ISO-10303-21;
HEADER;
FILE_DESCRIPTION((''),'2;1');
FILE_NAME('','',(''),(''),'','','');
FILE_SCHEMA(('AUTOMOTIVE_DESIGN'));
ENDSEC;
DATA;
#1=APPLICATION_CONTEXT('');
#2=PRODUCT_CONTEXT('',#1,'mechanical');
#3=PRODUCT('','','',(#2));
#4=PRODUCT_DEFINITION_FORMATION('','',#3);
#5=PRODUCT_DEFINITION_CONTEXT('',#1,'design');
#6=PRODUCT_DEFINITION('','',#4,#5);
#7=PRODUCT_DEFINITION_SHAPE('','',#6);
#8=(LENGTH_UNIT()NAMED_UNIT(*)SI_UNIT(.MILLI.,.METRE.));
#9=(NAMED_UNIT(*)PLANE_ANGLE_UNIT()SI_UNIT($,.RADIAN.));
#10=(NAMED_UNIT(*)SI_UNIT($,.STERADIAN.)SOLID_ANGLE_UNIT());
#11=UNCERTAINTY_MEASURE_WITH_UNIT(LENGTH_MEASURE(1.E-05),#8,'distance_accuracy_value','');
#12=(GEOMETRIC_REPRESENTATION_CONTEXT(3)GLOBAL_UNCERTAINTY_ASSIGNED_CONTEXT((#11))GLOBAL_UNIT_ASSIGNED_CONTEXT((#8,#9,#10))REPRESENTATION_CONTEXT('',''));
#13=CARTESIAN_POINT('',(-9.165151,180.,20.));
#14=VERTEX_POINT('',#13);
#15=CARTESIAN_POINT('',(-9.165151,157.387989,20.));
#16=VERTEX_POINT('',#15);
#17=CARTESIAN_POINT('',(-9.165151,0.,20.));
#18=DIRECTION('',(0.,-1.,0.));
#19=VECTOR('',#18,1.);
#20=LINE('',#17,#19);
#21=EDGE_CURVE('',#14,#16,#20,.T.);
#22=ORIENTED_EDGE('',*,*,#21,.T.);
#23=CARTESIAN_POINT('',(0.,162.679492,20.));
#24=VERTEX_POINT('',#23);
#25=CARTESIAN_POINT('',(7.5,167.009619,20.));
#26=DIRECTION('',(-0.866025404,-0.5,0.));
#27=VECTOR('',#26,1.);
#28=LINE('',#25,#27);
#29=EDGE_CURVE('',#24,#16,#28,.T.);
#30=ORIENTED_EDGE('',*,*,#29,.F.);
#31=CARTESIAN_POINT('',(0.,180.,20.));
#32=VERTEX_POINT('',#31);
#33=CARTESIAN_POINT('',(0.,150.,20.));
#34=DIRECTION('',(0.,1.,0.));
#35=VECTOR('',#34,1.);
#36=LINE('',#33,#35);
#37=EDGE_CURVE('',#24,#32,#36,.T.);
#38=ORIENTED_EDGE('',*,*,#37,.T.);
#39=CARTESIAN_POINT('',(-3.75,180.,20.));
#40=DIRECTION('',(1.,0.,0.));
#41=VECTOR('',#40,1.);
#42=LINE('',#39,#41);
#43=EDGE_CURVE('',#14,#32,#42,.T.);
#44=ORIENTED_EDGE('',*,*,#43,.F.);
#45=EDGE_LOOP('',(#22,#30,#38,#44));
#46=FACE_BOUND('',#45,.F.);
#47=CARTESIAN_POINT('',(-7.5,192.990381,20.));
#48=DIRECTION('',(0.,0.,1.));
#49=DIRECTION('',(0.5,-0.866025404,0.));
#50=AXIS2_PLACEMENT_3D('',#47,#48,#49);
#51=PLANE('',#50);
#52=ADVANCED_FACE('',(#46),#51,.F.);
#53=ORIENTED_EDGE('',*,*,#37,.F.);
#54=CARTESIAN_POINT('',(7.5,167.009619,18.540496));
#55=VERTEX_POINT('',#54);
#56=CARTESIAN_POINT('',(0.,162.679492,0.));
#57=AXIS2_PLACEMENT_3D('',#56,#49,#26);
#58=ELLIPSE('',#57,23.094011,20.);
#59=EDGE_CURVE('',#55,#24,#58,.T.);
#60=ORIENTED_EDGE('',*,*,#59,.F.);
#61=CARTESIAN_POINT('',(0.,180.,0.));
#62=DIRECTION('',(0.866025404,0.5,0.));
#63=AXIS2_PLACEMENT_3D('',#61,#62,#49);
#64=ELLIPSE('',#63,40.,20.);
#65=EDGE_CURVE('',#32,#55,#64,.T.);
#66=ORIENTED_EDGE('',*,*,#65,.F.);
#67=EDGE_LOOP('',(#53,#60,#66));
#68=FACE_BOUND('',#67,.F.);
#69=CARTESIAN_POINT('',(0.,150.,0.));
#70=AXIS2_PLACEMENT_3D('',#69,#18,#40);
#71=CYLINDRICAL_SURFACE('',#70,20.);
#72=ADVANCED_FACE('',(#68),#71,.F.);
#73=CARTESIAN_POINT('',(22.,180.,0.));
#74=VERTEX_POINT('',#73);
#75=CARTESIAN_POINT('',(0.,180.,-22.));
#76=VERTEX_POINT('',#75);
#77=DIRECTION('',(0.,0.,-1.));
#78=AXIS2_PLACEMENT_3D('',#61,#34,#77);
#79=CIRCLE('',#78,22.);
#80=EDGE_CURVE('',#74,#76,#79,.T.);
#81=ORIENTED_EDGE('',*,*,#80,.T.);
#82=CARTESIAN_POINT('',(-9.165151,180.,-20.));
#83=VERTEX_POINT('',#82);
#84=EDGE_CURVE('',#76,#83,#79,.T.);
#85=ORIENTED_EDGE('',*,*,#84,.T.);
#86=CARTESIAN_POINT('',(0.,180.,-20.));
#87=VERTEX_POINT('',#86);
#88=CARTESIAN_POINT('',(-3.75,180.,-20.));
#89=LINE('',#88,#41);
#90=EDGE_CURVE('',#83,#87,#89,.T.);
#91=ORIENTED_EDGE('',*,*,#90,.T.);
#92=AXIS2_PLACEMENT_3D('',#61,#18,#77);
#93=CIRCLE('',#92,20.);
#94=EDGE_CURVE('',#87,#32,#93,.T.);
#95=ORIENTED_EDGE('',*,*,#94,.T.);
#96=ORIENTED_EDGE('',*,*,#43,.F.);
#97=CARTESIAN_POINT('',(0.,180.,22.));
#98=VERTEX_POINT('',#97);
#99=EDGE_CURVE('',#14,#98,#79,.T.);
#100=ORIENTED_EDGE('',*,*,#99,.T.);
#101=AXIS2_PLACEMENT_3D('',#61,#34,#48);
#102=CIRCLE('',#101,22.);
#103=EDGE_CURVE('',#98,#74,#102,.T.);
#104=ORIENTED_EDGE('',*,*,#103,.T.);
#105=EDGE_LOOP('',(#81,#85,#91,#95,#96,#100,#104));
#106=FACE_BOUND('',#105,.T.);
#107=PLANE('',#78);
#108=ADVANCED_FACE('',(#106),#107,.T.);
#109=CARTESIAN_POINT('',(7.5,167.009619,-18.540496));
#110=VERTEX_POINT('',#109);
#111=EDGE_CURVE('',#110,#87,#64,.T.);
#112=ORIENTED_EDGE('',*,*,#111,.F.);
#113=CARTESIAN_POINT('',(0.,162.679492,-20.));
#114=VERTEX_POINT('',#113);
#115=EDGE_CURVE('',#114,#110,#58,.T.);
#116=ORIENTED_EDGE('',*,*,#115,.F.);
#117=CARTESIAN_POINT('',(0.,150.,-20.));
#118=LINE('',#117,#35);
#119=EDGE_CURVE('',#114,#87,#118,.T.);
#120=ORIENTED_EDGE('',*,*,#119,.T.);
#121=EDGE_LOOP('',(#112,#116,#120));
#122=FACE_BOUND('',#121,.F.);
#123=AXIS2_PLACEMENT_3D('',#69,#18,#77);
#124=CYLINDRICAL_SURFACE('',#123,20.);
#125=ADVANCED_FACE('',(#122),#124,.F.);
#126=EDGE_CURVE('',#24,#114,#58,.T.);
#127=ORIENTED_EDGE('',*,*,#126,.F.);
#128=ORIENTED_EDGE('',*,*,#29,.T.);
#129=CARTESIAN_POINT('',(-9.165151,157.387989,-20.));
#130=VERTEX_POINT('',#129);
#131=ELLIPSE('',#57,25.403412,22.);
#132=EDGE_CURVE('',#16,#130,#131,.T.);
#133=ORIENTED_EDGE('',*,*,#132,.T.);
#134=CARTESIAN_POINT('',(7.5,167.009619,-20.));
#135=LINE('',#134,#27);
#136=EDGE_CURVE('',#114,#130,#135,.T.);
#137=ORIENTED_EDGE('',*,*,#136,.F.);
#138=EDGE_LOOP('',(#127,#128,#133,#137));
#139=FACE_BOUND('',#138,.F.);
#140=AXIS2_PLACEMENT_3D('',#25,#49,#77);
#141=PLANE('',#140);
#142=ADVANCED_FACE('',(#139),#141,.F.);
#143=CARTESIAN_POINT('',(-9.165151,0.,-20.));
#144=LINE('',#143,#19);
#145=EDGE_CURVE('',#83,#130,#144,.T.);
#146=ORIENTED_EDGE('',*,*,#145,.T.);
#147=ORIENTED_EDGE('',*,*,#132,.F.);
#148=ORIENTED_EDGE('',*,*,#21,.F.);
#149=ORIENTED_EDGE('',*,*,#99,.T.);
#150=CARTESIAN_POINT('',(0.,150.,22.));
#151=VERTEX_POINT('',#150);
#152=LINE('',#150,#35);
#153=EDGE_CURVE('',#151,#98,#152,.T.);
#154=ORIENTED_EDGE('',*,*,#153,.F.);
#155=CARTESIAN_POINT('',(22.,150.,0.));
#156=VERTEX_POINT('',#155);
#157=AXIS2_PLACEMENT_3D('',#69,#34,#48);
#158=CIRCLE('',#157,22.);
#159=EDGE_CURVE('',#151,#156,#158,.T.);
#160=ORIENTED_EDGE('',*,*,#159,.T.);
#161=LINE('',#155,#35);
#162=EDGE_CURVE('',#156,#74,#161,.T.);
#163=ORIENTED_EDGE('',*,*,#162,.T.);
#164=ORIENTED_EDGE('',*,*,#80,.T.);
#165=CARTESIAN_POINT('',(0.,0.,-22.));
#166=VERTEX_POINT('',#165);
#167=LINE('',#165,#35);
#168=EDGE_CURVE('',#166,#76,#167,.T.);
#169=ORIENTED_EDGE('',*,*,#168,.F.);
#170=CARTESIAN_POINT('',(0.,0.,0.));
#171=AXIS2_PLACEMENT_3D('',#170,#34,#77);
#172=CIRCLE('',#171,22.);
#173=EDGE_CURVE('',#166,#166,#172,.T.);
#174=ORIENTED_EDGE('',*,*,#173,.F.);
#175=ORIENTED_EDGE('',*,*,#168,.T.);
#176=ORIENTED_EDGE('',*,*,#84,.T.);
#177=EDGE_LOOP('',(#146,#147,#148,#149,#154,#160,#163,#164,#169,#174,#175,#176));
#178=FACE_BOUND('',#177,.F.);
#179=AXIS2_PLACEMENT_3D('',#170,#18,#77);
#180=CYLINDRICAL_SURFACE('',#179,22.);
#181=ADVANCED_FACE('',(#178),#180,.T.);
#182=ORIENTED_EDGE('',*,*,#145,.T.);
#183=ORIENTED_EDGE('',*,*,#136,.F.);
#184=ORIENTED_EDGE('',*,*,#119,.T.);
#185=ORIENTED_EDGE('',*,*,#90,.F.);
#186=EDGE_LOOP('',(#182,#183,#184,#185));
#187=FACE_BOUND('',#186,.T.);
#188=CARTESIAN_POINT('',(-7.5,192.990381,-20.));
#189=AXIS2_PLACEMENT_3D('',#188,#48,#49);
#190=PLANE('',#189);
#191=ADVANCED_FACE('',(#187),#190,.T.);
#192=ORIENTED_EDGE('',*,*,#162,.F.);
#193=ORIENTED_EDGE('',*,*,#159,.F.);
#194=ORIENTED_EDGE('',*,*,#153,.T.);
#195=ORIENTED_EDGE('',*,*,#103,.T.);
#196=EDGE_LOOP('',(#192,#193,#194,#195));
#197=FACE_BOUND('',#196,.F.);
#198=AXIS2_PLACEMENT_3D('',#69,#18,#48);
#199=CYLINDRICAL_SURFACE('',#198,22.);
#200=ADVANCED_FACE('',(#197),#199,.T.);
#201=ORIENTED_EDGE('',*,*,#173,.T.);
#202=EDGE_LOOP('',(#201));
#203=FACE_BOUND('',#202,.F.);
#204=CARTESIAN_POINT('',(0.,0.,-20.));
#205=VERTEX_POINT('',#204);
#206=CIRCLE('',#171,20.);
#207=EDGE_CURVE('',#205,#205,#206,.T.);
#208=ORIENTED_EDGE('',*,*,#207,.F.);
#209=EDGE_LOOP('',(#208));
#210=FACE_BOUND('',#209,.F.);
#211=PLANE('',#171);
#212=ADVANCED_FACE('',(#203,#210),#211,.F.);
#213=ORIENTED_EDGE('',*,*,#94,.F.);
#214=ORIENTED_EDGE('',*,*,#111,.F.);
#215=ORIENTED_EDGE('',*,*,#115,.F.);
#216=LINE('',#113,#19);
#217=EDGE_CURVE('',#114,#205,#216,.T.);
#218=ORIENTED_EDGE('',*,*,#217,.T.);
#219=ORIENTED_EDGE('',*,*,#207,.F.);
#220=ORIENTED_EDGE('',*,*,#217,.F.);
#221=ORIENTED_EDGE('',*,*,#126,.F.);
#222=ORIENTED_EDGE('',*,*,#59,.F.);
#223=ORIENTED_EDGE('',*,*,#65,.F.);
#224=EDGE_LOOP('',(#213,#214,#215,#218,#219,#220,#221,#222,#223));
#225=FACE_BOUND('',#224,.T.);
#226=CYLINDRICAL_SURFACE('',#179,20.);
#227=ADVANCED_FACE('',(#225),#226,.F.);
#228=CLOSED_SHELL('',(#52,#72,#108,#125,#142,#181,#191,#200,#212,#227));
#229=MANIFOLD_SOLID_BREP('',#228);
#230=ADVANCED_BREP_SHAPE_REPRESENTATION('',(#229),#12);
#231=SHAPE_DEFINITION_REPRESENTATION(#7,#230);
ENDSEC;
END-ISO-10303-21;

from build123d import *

# Parameters (mm, degrees)
SKETCH1_R           = 22
SKETCH1_R_2         = 20
BOSS_EXTRUDE1_DEPTH = 180
SKETCH3_W           = 30
SKETCH3_H           = 40
CUT_EXTRUDE1_DEPTH  = 63
BOSS_EXTRUDE2_START = 150
BOSS_EXTRUDE2_DEPTH = 30


with BuildPart() as part:
    # Sketch1 → Boss-Extrude1 (new body)
    with BuildSketch(Plane(origin=(0, 0, 0), x_dir=(1, 0, 0), z_dir=(0, 1, 0))):
        with Locations(Location((0, 0, 0), (0, 0, 90))):
            Circle(SKETCH1_R)
        with Locations(Location((0, 0, 0), (0, 0, 90))):
            Circle(SKETCH1_R_2, mode=Mode.SUBTRACT)
    extrude(amount=BOSS_EXTRUDE1_DEPTH)

    # Sketch3 → Cut-Extrude1 (cut)
    with BuildSketch(Plane(origin=(77.942286341, 45, 0), x_dir=(0.5000000000000041, -0.8660254037844362, 0), z_dir=(0.8660254037844363, 0.5000000000000042, 0))):
        with Locations((-155.884572681, 0)):
            Rectangle(SKETCH3_W, SKETCH3_H)
    extrude(amount=-CUT_EXTRUDE1_DEPTH, mode=Mode.SUBTRACT)

    # Sketch1<3> → Boss-Extrude2 (add)
    with BuildSketch(Plane(origin=(0, 0, 0), x_dir=(1, 0, 0), z_dir=(0, 1, 0)).offset(BOSS_EXTRUDE2_START)):
        with BuildLine():
            ThreePointArc((20, 0), (14.142135624, -14.142135624), (0, -20))
            Line((0, -20), (0, -22))
            ThreePointArc((0, -22), (15.556349186, -15.556349186), (22, 0))
            ThreePointArc((22, 0), (15.556349186, 15.556349186), (0, 22))
            Line((0, 22), (0, 20))
            ThreePointArc((0, 20), (14.142135624, 14.142135624), (20, 0))
        make_face()
    extrude(amount=BOSS_EXTRUDE2_DEPTH)


solid = part.part
